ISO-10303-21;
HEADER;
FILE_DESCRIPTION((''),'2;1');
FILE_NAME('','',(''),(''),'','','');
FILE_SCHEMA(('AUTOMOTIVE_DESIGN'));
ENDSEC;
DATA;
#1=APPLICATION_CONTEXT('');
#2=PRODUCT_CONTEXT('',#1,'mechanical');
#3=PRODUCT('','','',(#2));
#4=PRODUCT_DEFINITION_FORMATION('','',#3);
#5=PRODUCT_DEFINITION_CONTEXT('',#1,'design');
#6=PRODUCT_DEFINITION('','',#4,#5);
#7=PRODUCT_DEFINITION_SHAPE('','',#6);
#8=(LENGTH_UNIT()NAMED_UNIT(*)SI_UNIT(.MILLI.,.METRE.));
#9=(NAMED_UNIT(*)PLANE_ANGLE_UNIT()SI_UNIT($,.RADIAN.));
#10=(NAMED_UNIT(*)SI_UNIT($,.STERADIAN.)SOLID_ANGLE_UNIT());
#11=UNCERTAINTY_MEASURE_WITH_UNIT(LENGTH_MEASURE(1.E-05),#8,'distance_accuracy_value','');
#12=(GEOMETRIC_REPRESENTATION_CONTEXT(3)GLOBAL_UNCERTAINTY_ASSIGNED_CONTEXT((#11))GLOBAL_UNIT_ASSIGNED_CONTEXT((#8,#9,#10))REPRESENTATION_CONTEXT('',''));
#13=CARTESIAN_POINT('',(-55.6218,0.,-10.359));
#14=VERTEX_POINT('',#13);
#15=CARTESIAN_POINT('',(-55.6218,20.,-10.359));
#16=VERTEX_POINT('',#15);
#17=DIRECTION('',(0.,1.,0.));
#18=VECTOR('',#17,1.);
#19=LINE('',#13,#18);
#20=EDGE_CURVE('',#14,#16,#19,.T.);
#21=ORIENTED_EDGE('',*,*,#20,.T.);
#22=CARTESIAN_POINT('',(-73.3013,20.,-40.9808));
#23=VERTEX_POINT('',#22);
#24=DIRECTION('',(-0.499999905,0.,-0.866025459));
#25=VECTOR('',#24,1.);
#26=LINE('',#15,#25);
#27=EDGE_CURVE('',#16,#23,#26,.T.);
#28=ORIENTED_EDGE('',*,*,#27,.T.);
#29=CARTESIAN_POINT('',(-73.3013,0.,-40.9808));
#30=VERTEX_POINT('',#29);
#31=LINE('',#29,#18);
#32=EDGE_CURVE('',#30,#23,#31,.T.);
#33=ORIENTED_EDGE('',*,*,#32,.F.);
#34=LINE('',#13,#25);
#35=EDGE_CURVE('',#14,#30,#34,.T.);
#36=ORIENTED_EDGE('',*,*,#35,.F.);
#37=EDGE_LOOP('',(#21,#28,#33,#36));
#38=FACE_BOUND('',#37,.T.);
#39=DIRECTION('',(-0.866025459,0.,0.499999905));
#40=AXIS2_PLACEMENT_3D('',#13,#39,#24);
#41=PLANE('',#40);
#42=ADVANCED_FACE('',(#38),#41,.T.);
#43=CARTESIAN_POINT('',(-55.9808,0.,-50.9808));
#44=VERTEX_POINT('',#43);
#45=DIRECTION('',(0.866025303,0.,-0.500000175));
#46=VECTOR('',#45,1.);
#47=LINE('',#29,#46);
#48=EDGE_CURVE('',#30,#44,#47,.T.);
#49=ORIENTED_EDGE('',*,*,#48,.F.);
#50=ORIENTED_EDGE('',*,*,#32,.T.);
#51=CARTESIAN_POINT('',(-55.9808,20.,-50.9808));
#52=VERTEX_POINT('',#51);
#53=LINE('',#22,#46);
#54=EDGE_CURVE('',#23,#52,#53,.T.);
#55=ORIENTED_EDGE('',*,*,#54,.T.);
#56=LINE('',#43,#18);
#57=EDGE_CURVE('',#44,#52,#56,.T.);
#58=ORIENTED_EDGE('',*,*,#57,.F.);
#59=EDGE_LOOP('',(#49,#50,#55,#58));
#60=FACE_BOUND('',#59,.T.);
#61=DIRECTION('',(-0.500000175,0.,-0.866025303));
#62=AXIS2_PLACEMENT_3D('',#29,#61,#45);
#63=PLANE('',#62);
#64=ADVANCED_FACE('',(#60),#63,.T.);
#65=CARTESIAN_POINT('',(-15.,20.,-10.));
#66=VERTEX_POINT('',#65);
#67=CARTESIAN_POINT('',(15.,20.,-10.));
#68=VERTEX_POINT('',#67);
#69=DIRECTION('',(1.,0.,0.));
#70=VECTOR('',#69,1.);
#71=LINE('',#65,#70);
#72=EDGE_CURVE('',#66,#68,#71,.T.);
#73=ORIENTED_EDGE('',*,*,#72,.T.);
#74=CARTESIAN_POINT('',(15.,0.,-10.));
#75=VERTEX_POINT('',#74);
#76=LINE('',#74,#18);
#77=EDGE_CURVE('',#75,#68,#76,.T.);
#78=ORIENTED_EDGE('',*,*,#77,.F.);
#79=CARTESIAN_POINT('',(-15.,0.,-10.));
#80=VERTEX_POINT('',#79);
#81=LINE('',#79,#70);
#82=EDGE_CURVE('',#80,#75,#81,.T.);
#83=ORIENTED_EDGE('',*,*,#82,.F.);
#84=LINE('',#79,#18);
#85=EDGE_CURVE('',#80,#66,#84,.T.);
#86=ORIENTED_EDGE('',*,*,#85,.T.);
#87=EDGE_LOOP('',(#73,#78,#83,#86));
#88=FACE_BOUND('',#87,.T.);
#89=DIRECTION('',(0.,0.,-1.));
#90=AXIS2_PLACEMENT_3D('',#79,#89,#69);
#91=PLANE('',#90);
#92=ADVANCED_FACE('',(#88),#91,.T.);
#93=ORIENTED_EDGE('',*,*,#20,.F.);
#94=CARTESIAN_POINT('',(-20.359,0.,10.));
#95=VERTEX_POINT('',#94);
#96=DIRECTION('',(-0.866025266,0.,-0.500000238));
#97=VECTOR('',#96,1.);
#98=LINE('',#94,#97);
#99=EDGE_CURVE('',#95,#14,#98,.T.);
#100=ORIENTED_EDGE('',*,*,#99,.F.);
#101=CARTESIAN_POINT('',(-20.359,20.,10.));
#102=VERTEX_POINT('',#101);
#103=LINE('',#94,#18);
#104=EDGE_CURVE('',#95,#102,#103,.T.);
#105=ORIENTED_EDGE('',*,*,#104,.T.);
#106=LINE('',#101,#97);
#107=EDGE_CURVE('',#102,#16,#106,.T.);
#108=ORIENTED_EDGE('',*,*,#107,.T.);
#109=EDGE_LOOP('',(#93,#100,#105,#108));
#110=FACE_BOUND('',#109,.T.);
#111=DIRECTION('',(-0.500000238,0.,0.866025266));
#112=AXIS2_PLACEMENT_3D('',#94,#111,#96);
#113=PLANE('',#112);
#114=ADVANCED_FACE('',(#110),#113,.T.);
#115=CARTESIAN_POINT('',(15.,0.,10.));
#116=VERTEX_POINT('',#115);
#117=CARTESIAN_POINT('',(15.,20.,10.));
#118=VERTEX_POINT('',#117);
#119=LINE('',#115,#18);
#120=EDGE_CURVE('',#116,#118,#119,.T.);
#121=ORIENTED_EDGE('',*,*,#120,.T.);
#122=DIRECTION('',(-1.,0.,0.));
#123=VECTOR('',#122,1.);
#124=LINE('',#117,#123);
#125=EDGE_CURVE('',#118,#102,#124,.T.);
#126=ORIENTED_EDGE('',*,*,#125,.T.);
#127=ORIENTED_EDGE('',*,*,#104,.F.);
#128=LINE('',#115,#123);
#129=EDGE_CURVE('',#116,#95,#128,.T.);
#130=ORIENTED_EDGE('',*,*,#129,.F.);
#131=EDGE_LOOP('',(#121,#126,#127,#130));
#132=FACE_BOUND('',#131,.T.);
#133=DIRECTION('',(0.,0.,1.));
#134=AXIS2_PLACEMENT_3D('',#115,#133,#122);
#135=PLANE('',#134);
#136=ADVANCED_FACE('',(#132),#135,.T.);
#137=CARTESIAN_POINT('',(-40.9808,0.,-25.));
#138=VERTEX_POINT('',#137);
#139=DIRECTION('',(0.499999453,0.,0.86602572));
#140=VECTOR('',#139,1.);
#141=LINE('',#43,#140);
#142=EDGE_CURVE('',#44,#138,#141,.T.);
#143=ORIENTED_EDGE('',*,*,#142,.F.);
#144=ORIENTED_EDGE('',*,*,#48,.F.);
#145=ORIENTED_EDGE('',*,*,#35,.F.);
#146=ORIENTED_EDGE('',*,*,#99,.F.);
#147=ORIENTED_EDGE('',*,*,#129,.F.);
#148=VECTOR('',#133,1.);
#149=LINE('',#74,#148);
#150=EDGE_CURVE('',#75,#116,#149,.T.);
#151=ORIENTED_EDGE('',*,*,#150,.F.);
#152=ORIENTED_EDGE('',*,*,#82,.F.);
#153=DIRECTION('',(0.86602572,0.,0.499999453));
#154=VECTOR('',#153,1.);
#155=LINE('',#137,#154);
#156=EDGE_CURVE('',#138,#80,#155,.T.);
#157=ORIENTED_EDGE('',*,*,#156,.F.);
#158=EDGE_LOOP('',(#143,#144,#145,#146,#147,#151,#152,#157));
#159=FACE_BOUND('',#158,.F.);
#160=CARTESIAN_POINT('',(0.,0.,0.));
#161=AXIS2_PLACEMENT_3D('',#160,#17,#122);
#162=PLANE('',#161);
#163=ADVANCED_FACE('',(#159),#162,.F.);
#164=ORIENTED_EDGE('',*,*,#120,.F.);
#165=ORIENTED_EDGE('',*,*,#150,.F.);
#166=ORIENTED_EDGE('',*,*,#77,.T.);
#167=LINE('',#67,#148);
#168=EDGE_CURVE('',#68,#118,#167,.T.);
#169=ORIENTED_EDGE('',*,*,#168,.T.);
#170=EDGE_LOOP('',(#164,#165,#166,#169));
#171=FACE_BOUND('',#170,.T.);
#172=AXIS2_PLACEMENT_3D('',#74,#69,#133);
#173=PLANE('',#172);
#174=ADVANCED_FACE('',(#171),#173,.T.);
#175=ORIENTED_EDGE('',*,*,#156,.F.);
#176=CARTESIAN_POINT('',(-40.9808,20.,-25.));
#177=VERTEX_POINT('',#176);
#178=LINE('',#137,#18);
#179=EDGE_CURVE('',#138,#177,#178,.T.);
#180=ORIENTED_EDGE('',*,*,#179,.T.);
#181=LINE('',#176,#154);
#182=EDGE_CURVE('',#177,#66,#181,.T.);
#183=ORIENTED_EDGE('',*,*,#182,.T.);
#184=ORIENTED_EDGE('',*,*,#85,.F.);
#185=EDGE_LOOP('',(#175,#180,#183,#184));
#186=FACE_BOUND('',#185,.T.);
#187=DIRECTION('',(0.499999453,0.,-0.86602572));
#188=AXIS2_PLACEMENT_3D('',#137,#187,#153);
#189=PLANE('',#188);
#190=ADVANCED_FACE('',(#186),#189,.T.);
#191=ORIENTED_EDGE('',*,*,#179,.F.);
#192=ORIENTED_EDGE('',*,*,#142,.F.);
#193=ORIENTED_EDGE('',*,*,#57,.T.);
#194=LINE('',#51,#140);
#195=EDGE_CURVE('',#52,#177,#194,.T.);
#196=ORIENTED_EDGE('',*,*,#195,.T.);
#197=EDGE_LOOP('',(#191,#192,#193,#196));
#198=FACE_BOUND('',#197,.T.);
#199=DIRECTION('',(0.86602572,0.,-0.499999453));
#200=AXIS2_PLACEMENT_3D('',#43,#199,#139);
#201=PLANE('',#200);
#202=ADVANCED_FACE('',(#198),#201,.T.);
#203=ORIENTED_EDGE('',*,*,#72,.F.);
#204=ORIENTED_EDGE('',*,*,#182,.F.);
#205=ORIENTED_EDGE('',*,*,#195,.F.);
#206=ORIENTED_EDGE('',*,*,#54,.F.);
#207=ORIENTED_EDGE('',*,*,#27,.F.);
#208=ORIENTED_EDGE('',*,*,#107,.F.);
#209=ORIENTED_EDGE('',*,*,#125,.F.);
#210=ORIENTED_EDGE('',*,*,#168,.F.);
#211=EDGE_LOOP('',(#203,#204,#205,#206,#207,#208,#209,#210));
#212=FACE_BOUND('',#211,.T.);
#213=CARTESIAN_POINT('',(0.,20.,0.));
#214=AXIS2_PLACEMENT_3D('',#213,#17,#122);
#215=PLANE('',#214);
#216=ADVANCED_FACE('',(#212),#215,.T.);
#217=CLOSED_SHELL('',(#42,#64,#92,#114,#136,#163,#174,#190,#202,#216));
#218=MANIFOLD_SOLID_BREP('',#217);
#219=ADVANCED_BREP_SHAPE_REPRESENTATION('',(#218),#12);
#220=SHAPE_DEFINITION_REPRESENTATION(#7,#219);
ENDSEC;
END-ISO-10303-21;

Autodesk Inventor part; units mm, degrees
ref_plane "YZ Plane" through (0, 0, 0) normal (1, 0, 0) x (0, 1, 0)
ref_plane "XZ Plane" through (0, 0, 0) normal (0, 1, 0) x (-1, 0, 0)
ref_plane "XY Plane" through (0, 0, 0) normal (0, 0, 1) x (1, 0, 0)
sketch "Sketch1" plane through (0, 0, 0) normal (0, 1, 0) x (-1, 0, 0)
  line L0 (-15, 10) -> (20.359, 10)
  line L1 (25, 7.3205) -> (15, -10) construction
  line L2 (15, -10) -> (-15, -10)
  line L3 (-15, -10) -> (-15, 10)
  line L4 (-15, 10) -> (15, -10) construction
  line L5 (15, 10) -> (-15, -10) construction
  line L6 (20.359, 10) -> (55.6218, -10.359)
  line L7 (58.3013, -15) -> (40.9808, -25) construction
  line L8 (40.9808, -25) -> (15, -10)
  line L9 (15, -10) -> (15, 10) construction
  line L10 (55.6218, -10.359) -> (73.3013, -40.9808)
  line L11 (73.3013, -40.9808) -> (55.9808, -50.9808)
  line L12 (55.9808, -50.9808) -> (40.9808, -25)
  line L13 (40.9808, -25) -> (50.9808, -7.6795) construction
  point P0 (0, 0)
  point P1 (15, -10)
  dimension "d0" = 30
extrude "Extrusion1" add sketch "Sketch1" along normal blind 20
properties part number "finger_two_bend"
